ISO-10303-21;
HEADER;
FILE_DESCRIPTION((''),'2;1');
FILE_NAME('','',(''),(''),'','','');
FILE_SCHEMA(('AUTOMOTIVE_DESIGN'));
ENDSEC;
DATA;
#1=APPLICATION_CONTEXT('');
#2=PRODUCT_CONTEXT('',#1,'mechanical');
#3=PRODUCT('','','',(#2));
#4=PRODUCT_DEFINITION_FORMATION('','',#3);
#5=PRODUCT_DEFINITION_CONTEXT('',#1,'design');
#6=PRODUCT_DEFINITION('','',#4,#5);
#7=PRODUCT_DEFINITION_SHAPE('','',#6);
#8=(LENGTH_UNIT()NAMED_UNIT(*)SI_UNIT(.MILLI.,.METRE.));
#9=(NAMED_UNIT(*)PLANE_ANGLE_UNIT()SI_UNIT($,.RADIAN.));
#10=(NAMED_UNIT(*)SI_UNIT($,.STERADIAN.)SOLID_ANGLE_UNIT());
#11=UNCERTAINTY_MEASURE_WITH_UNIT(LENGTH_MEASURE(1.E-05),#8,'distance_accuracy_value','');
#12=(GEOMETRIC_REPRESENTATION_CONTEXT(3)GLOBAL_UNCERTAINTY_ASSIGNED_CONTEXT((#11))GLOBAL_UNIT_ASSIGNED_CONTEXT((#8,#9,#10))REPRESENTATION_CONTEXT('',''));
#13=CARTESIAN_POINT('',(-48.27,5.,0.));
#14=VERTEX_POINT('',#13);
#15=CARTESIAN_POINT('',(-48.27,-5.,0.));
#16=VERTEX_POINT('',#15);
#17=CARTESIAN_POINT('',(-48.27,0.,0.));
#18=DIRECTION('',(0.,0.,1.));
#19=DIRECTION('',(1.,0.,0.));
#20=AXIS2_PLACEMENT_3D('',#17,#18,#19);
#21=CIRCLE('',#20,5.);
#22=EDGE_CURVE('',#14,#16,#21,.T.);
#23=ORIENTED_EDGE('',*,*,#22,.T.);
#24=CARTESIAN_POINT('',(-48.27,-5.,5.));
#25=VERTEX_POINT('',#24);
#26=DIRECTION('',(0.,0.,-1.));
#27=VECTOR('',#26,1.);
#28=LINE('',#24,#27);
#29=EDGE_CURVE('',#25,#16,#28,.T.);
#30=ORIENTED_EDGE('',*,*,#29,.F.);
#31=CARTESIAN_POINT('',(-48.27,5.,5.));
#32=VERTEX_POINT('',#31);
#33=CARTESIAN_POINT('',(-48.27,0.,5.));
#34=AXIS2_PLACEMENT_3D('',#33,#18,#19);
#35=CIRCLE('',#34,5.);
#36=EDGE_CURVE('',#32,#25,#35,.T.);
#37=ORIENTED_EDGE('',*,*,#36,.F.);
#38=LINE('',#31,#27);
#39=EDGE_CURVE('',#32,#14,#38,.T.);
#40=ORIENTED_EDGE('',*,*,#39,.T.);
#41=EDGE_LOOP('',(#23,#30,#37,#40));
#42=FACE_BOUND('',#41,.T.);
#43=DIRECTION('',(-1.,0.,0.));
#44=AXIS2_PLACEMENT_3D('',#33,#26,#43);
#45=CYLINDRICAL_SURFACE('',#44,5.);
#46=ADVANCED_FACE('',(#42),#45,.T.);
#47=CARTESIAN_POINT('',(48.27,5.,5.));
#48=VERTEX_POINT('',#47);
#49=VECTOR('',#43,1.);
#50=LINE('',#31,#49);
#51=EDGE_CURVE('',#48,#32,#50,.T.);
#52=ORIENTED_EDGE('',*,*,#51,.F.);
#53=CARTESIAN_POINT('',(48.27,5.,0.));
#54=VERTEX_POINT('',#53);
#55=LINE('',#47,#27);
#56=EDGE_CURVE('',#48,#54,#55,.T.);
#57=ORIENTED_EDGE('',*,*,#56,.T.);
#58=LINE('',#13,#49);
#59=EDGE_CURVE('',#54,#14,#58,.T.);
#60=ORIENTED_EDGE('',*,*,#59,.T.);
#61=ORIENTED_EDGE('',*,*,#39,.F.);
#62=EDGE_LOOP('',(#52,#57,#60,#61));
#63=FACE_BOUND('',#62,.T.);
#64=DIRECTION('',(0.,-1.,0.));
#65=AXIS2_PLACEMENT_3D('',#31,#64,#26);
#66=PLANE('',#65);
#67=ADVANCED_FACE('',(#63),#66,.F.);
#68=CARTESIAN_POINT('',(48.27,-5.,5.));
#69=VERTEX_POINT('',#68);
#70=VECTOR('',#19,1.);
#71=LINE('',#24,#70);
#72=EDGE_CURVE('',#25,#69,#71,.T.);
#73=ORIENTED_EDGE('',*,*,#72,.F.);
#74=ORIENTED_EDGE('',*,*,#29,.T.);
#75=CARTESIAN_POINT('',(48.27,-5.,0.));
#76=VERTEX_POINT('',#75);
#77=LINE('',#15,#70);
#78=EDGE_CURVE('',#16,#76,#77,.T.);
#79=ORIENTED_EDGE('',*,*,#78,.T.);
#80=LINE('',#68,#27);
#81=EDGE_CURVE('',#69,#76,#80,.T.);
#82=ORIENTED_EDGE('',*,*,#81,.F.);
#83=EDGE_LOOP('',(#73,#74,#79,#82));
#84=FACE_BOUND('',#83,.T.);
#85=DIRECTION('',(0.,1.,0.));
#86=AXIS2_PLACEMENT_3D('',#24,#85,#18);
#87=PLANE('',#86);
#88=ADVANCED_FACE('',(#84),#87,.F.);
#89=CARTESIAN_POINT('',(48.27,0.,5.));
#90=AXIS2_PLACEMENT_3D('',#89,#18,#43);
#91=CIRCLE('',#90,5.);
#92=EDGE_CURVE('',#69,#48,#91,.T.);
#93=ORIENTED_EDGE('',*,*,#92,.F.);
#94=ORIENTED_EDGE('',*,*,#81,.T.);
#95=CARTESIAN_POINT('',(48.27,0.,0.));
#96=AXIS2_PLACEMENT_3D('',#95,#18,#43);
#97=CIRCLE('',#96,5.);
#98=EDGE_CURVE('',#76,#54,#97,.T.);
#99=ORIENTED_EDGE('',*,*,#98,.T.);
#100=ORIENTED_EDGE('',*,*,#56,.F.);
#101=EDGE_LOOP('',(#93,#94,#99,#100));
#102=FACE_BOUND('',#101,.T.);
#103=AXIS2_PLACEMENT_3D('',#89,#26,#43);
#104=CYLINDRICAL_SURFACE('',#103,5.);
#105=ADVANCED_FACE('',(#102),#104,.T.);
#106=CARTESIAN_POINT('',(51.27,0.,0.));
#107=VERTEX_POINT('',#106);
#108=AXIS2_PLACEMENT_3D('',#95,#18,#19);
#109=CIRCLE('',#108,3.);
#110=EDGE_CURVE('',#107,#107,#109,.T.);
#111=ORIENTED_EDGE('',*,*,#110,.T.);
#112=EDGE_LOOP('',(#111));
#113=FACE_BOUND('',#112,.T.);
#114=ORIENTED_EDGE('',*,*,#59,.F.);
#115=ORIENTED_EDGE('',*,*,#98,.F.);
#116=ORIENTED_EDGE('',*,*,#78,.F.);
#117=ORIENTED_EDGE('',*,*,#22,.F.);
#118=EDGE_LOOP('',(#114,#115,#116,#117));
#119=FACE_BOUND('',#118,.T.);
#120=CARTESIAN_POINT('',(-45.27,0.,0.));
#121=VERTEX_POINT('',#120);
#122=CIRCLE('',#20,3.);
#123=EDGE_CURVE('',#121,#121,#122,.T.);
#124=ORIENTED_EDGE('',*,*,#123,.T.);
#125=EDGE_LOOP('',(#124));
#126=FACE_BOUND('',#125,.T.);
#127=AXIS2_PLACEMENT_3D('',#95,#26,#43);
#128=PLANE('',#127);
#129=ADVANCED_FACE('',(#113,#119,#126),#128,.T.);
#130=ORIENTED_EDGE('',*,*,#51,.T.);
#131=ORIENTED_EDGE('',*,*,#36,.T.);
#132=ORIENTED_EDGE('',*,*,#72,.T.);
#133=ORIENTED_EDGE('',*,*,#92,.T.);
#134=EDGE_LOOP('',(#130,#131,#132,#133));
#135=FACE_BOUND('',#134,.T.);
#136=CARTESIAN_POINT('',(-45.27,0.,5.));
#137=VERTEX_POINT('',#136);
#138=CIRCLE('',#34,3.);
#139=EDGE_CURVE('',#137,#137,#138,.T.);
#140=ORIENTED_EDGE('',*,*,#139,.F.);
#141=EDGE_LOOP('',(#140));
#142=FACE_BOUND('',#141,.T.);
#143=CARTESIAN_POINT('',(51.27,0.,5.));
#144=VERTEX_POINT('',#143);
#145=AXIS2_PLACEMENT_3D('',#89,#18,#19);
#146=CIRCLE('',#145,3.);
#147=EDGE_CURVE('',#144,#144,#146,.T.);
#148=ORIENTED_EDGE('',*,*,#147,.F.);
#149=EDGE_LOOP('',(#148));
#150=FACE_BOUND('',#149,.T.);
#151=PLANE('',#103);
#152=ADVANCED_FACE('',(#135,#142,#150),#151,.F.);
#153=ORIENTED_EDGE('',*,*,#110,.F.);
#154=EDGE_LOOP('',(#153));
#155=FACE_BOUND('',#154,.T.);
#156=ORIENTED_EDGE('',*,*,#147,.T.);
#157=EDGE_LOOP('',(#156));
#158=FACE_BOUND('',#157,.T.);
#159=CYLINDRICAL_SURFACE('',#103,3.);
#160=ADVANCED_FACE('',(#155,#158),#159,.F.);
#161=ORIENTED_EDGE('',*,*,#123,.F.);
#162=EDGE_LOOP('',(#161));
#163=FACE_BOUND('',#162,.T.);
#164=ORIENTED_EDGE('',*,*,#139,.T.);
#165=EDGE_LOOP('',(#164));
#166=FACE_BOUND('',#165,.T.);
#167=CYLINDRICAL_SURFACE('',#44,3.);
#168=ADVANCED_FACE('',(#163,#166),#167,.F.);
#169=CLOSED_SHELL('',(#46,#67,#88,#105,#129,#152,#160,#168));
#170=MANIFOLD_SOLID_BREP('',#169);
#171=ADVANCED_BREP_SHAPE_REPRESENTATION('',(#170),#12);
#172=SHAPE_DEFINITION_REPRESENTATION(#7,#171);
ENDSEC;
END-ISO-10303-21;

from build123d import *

# Parameters (mm, degrees)
ESBO_O1_R                = 3
RESSALTO_EXTRUS_O1_DEPTH = 5


with BuildPart() as part:
    # Esboço1 → Ressalto-extrusão1 (new body)
    with BuildSketch(Plane.XY):
        with BuildLine():
            Line((-48.27, 5), (48.27, 5))
            ThreePointArc((48.27, 5), (53.27, 0), (48.27, -5))
            Line((48.27, -5), (-48.27, -5))
            ThreePointArc((-48.27, -5), (-53.27, 0), (-48.27, 5))
        make_face()
        with Locations((-48.27, 0)):
            Circle(ESBO_O1_R, mode=Mode.SUBTRACT)
        with Locations((48.27, 0)):
            Circle(ESBO_O1_R, mode=Mode.SUBTRACT)
    extrude(amount=RESSALTO_EXTRUS_O1_DEPTH)


solid = part.part
